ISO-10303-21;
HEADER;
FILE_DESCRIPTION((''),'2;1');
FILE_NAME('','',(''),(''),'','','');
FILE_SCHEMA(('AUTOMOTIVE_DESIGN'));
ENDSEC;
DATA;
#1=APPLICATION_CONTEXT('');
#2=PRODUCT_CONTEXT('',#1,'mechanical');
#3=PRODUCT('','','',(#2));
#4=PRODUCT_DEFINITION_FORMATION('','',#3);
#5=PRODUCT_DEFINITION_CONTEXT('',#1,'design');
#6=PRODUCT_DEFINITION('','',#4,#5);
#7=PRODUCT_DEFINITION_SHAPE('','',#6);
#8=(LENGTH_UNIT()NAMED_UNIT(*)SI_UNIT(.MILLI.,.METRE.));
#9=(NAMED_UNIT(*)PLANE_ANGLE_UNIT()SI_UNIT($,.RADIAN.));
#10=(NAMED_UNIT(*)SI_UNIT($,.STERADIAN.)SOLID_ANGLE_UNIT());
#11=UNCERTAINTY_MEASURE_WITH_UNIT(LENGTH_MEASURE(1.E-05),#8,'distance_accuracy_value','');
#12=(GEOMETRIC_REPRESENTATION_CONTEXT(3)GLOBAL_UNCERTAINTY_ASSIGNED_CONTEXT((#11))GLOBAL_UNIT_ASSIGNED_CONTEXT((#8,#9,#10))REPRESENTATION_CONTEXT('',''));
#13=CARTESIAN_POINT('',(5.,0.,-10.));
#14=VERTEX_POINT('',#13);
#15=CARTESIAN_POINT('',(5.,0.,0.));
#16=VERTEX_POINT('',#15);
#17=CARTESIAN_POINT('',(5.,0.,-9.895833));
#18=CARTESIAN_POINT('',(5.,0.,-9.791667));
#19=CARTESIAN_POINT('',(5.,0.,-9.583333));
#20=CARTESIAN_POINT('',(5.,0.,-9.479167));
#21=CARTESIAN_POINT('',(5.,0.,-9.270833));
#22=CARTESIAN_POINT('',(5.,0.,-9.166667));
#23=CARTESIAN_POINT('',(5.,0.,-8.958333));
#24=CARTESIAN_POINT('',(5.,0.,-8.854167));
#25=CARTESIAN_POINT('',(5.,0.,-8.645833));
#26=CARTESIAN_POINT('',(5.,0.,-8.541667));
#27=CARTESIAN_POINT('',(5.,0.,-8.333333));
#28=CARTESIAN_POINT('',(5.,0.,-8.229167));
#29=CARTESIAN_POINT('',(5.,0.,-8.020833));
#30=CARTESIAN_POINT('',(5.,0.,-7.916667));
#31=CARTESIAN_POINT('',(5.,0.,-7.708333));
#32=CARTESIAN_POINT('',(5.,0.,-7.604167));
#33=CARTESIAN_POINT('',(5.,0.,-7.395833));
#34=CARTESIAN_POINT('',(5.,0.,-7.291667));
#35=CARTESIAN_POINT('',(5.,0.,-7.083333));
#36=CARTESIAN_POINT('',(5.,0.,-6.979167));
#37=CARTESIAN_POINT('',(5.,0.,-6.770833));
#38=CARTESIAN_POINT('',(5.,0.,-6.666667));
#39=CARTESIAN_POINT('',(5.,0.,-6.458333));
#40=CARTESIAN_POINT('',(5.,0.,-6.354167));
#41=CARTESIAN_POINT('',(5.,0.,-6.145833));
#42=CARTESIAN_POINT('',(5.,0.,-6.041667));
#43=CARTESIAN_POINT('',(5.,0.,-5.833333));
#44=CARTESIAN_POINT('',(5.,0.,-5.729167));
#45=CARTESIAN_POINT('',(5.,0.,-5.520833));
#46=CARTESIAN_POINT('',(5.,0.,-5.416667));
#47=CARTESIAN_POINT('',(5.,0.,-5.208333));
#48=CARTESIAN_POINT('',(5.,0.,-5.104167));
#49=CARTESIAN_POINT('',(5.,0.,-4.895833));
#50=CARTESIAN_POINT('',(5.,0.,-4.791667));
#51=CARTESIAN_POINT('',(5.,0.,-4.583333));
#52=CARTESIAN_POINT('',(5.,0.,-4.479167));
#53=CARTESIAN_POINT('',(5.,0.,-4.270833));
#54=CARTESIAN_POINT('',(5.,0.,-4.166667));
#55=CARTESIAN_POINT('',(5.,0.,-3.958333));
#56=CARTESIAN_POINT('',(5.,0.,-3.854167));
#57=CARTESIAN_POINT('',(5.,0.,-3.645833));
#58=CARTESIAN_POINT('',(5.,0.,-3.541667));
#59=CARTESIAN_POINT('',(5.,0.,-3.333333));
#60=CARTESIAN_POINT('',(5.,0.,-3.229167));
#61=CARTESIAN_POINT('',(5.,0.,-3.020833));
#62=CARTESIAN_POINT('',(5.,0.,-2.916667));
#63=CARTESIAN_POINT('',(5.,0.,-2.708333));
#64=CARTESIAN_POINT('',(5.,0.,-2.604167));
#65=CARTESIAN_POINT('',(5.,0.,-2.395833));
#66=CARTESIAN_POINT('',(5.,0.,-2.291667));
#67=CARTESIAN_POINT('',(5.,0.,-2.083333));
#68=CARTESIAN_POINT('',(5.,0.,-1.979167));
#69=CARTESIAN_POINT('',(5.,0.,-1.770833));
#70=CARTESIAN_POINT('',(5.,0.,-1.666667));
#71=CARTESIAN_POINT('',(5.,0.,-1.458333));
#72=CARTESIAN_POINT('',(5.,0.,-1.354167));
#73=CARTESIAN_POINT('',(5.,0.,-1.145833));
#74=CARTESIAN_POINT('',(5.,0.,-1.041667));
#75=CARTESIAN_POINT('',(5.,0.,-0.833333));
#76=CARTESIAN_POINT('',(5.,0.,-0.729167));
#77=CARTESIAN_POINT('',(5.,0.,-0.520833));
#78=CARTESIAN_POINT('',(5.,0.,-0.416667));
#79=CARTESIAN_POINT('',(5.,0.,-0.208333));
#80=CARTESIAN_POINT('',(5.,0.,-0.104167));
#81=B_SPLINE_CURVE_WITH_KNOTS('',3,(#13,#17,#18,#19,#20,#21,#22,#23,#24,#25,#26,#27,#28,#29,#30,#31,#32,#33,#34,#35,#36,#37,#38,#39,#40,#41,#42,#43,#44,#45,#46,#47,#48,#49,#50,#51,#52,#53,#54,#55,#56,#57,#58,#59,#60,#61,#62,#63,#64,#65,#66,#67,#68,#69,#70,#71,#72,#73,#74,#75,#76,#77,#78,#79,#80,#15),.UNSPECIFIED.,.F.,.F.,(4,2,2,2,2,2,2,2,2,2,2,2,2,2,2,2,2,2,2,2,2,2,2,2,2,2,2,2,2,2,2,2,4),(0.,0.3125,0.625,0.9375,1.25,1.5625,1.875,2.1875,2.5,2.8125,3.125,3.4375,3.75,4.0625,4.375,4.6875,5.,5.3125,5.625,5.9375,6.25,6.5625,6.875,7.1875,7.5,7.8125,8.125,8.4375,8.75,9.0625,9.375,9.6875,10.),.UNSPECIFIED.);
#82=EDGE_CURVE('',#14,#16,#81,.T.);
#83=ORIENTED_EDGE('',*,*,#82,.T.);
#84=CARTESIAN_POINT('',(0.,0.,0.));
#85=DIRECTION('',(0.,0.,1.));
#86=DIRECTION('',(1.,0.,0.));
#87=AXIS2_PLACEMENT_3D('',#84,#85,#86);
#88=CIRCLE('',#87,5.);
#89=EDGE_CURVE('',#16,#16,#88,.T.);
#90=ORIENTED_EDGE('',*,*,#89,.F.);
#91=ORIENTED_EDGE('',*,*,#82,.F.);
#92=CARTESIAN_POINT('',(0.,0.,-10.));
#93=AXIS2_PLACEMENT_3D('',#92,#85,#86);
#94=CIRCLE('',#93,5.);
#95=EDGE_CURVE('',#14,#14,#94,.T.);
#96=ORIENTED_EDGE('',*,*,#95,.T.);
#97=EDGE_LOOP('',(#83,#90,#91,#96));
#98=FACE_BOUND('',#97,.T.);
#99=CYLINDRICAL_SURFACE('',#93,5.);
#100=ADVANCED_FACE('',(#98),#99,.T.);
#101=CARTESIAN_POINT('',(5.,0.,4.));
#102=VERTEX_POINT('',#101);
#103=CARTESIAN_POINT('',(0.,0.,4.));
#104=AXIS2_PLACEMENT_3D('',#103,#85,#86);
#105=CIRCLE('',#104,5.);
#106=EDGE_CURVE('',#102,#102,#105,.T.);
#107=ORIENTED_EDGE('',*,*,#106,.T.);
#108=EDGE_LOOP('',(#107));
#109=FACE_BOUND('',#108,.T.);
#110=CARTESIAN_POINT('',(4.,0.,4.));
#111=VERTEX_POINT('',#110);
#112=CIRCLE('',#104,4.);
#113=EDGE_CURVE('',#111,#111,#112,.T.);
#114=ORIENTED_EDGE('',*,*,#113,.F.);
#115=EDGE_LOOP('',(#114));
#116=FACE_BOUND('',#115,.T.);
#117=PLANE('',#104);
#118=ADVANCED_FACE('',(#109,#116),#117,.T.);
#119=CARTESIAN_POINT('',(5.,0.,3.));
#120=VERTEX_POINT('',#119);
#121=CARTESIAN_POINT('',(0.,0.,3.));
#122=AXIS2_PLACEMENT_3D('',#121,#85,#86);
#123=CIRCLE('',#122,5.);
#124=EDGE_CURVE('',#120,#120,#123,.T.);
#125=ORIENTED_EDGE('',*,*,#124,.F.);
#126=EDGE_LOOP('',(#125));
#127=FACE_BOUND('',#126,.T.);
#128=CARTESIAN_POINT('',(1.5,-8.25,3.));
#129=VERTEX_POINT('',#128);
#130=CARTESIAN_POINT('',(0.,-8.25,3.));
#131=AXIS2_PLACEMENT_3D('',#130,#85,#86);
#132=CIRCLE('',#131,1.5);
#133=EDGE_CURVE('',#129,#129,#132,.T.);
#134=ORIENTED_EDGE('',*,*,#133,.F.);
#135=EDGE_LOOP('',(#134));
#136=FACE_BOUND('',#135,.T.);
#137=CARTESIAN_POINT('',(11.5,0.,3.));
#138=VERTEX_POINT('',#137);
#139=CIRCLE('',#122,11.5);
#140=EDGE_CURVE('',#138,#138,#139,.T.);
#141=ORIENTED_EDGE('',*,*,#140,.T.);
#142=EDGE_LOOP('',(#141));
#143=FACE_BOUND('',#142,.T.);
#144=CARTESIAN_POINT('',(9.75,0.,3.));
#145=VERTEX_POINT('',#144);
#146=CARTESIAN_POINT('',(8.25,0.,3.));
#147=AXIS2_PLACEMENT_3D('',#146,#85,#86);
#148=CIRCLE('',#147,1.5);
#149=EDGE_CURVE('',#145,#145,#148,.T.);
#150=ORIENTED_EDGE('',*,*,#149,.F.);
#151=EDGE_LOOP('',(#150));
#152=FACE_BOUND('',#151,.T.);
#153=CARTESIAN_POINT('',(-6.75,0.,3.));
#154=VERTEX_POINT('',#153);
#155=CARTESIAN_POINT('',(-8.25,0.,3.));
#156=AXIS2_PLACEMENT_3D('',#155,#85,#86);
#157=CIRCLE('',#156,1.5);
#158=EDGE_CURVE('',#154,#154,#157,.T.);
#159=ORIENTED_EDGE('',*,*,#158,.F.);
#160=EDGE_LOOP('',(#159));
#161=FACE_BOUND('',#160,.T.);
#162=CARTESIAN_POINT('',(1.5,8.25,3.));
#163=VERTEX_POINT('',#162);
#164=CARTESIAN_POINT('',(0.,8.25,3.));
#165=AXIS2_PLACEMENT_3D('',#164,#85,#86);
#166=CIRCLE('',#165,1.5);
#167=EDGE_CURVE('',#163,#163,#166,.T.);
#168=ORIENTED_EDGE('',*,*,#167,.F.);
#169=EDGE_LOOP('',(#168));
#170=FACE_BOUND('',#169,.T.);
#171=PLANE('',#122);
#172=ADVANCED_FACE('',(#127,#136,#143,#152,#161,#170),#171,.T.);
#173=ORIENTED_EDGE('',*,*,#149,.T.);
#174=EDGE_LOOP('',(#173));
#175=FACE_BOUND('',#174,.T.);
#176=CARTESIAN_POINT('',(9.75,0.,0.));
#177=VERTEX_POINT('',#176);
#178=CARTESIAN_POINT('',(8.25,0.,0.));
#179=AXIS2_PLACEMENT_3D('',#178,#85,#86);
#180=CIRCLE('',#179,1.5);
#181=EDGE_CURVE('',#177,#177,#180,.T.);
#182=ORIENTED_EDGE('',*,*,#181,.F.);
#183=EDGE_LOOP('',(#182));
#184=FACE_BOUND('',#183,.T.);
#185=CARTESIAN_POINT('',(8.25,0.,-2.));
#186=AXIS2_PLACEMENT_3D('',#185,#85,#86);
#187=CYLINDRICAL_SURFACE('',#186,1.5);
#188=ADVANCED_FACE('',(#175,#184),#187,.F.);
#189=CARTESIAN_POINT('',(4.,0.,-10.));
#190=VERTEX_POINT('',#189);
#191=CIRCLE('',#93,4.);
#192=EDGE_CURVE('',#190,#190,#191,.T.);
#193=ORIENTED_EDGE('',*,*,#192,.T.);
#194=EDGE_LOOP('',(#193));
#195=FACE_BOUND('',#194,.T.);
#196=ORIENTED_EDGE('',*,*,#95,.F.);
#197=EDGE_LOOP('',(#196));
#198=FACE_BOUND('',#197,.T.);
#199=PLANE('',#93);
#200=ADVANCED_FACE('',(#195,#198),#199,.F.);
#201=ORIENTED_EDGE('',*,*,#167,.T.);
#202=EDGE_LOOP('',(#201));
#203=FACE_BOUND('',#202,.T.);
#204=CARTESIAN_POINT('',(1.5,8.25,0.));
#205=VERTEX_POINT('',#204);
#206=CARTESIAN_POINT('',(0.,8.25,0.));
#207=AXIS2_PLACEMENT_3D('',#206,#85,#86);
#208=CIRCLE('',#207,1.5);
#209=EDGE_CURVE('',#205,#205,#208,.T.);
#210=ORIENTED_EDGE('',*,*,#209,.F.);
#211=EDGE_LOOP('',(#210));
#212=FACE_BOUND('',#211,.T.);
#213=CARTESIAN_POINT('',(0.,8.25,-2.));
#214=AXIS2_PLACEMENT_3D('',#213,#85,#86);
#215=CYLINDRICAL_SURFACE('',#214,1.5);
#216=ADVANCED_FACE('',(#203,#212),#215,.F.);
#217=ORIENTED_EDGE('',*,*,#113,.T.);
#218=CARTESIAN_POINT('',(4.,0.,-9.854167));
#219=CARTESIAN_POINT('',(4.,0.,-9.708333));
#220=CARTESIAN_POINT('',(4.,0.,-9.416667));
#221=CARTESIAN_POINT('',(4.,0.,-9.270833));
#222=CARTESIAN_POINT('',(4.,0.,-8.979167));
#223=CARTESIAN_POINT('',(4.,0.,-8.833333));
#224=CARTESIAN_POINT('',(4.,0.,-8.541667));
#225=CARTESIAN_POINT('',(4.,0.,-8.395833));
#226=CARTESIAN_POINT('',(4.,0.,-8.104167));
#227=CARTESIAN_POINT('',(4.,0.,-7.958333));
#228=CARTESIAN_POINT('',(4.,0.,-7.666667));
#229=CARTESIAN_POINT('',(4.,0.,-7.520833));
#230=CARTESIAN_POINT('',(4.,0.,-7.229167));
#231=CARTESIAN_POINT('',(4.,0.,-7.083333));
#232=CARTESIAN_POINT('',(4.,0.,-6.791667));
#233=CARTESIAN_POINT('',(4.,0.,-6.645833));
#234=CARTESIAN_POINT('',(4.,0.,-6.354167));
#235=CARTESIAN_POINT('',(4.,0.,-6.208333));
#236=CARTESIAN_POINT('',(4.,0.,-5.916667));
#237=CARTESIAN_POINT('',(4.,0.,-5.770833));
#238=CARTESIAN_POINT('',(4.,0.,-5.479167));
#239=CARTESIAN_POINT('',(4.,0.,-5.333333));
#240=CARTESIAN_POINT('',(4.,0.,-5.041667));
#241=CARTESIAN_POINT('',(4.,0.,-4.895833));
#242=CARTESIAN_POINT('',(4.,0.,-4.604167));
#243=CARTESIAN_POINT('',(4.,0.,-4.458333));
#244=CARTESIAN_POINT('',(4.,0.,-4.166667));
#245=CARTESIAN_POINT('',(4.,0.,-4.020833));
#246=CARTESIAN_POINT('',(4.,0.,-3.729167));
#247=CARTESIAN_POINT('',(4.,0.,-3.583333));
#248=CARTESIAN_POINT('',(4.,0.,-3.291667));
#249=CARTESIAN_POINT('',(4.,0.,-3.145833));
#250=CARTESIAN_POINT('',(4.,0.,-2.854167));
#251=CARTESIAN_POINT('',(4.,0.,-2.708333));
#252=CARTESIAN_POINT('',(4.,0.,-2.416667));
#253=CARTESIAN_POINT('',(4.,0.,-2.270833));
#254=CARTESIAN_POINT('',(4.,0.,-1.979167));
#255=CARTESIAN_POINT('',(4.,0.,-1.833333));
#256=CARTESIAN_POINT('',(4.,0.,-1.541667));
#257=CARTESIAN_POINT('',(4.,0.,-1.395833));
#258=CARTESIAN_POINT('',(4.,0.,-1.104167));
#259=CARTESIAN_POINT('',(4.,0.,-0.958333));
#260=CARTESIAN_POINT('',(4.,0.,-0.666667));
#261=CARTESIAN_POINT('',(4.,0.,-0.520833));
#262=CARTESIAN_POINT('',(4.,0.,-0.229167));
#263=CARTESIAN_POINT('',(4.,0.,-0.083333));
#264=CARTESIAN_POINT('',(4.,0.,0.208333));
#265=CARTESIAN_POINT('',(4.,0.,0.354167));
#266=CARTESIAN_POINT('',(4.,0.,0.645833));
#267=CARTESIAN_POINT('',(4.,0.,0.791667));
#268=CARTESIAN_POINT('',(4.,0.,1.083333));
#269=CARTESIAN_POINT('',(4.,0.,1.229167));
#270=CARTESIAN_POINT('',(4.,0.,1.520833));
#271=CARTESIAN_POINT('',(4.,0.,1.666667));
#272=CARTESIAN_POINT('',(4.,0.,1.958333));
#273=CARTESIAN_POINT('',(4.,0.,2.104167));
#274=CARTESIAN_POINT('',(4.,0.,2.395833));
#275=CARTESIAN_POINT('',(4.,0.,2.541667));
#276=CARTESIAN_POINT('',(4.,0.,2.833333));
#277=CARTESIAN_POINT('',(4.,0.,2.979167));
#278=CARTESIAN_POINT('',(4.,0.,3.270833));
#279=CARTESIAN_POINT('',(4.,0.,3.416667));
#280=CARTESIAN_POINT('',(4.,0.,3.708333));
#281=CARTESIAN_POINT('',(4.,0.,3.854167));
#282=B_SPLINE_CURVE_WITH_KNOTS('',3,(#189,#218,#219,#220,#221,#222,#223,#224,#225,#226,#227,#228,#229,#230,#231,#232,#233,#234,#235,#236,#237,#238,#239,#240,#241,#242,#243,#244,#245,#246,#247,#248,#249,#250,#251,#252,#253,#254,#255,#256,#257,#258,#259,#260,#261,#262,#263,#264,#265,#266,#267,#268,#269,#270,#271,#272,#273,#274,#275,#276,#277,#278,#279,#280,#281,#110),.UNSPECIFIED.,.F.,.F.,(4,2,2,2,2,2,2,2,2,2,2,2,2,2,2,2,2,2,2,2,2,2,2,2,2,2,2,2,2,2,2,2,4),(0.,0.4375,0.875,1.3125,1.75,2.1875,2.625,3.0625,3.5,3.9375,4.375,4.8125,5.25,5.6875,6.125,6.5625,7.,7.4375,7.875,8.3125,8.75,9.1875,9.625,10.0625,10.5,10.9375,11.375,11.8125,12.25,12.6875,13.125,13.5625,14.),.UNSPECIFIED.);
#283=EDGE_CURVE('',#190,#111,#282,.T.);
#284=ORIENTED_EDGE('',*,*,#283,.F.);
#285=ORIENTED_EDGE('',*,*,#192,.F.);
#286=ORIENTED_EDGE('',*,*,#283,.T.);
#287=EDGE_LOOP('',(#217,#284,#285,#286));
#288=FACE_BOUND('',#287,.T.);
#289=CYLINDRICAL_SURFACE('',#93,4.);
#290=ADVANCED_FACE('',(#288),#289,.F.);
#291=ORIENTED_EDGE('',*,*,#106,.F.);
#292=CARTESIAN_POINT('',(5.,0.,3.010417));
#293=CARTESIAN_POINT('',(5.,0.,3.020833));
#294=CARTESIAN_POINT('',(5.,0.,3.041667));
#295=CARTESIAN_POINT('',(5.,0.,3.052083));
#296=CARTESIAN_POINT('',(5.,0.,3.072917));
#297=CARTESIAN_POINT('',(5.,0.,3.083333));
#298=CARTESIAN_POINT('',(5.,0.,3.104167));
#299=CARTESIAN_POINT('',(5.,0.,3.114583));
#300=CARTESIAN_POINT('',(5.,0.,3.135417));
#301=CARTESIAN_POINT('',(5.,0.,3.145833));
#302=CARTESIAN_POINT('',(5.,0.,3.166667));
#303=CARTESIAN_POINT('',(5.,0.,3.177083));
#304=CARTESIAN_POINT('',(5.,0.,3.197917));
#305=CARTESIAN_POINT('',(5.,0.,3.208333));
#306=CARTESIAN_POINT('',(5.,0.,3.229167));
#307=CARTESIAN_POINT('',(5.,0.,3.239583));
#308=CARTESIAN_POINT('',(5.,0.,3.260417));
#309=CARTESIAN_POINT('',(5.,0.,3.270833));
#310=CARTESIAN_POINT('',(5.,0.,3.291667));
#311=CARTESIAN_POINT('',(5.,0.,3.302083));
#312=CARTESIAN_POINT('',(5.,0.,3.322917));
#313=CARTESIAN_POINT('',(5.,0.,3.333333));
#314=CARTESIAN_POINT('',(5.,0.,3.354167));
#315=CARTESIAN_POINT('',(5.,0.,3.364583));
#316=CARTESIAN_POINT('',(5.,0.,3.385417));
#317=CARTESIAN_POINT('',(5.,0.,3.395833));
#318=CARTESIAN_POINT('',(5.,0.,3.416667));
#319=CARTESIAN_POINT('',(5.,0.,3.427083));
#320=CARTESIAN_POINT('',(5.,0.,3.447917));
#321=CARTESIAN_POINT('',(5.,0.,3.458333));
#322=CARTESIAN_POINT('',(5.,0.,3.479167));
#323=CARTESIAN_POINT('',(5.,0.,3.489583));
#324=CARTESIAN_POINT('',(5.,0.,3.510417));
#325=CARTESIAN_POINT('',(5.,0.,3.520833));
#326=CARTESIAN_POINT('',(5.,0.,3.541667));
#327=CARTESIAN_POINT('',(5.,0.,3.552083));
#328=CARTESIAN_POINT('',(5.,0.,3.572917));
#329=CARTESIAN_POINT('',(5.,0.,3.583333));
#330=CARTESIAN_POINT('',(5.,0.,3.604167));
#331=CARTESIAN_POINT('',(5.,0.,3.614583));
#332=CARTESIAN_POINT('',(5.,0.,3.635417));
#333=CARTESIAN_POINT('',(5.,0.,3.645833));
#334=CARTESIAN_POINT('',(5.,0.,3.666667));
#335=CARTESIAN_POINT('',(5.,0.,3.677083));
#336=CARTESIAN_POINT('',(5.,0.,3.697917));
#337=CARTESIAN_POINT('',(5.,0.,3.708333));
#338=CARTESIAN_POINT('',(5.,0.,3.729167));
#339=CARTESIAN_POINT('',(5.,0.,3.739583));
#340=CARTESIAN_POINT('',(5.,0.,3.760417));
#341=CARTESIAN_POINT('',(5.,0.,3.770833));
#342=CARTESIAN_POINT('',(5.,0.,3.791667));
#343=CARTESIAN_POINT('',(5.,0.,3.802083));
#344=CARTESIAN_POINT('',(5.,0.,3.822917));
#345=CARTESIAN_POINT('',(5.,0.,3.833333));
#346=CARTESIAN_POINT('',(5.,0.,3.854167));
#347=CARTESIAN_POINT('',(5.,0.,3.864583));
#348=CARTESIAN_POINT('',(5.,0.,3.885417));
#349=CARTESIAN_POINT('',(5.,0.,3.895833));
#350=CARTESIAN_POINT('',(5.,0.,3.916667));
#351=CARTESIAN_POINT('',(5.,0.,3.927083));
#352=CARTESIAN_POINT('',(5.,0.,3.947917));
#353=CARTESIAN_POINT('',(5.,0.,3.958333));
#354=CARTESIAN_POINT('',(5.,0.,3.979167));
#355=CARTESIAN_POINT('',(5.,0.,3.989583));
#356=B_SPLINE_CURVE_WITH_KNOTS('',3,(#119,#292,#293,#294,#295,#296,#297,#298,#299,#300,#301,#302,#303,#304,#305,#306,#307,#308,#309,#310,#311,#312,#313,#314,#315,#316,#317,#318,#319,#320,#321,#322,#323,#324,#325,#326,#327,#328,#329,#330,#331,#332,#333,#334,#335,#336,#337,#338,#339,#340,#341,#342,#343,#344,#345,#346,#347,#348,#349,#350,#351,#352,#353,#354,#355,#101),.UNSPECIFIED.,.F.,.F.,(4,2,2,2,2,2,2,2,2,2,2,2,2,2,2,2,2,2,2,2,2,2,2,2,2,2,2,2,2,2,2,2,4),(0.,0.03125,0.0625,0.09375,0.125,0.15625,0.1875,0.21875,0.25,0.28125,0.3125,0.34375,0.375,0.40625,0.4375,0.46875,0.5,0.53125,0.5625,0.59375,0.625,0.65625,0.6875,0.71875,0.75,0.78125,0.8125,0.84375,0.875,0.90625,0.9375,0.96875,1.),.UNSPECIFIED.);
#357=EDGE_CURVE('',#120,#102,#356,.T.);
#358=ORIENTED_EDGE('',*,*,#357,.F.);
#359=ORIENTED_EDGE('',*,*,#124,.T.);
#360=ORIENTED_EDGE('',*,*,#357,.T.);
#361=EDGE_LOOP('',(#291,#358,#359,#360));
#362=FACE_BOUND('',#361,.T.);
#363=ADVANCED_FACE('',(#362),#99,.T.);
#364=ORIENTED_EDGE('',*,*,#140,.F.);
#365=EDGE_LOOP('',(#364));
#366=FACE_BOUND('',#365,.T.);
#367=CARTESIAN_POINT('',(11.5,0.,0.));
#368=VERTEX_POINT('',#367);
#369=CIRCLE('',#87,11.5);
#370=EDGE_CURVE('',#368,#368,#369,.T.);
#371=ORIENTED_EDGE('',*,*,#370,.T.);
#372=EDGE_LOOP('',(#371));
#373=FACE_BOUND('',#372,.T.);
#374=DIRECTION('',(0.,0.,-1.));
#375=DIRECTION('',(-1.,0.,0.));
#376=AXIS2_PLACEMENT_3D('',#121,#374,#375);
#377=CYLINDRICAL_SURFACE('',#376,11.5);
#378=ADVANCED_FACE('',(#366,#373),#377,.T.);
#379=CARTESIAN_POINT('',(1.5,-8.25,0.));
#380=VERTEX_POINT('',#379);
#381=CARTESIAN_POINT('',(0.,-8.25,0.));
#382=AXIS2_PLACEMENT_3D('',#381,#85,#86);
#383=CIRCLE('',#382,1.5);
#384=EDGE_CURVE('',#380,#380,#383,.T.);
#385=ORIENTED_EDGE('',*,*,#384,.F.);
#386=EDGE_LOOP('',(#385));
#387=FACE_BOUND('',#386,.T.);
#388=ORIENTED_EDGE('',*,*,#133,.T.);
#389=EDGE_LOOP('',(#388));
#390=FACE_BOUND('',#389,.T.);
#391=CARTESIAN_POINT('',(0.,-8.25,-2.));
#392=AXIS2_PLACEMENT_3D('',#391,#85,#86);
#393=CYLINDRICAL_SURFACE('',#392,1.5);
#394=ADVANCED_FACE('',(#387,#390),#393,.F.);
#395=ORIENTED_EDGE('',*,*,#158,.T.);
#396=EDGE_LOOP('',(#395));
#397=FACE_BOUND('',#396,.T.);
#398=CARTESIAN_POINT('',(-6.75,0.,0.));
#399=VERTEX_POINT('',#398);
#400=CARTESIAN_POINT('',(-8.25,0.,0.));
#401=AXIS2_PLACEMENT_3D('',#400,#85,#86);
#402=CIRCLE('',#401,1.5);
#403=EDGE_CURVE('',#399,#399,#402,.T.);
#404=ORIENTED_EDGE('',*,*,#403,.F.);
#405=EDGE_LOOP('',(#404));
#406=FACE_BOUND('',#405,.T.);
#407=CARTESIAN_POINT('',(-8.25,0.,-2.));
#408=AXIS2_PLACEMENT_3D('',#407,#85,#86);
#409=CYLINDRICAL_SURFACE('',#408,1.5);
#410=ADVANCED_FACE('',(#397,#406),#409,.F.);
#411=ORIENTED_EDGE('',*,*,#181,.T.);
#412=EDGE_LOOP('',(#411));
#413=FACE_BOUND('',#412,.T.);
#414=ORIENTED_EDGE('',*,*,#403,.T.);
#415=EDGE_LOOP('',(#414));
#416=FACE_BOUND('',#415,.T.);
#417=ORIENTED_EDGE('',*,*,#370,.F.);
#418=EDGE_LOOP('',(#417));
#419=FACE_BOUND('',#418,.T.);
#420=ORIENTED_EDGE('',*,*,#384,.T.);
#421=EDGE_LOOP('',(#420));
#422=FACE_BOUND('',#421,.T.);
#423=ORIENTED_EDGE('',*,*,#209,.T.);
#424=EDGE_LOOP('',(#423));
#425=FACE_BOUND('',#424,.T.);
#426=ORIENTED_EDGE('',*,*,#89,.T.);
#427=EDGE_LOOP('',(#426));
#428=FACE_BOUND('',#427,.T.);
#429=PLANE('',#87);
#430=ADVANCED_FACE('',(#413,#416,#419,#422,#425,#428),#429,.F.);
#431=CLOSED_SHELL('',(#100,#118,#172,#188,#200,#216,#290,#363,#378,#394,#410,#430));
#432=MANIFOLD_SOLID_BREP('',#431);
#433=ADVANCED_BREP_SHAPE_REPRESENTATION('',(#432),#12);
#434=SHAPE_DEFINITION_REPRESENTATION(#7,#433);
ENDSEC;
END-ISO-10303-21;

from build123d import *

# Parameters (mm, degrees)
SKETCH1_R                = 11.5
BOSS_EXTRUDE1_DEPTH      = 3
BOSS_EXTRUDE2_DEPTH      = 1
BOSS_EXTRUDE2_DEPTH_BACK = 13
SKETCH2_R                = 5
SKETCH2_R_2              = 4
SKETCH3_R                = 4
CUT_EXTRUDE1_DEPTH       = 5
SKETCH4_R                = 1.5
CUT_EXTRUDE2_DEPTH       = 5


with BuildPart() as part:
    # Sketch1 → Boss-Extrude1 (new body)
    with BuildSketch(Plane.XY):
        Circle(SKETCH1_R)
    extrude(amount=BOSS_EXTRUDE1_DEPTH)

    # Sketch2 → Boss-Extrude2 (add, two sides: drawn at the far end of the back side and taken through both)
    with BuildSketch(Plane.XY.offset(3).offset(-BOSS_EXTRUDE2_DEPTH_BACK)):
        Circle(SKETCH2_R)
        Circle(SKETCH2_R_2, mode=Mode.SUBTRACT)
    extrude(amount=BOSS_EXTRUDE2_DEPTH + BOSS_EXTRUDE2_DEPTH_BACK)

    # Sketch3 → Cut-Extrude1 (cut)
    with BuildSketch(Plane.XY.offset(3)):
        Circle(SKETCH3_R)
    extrude(amount=-CUT_EXTRUDE1_DEPTH, mode=Mode.SUBTRACT)

    # Sketch4 → Cut-Extrude2 (cut)
    with BuildSketch(Plane.XY.offset(3)):
        with Locations((0, 8.25)):
            Circle(SKETCH4_R)
        with Locations((8.25, 0)):
            Circle(SKETCH4_R)
        with Locations((0, -8.25)):
            Circle(SKETCH4_R)
        with Locations((-8.25, 0)):
            Circle(SKETCH4_R)
    extrude(amount=-CUT_EXTRUDE2_DEPTH, mode=Mode.SUBTRACT)


solid = part.part
